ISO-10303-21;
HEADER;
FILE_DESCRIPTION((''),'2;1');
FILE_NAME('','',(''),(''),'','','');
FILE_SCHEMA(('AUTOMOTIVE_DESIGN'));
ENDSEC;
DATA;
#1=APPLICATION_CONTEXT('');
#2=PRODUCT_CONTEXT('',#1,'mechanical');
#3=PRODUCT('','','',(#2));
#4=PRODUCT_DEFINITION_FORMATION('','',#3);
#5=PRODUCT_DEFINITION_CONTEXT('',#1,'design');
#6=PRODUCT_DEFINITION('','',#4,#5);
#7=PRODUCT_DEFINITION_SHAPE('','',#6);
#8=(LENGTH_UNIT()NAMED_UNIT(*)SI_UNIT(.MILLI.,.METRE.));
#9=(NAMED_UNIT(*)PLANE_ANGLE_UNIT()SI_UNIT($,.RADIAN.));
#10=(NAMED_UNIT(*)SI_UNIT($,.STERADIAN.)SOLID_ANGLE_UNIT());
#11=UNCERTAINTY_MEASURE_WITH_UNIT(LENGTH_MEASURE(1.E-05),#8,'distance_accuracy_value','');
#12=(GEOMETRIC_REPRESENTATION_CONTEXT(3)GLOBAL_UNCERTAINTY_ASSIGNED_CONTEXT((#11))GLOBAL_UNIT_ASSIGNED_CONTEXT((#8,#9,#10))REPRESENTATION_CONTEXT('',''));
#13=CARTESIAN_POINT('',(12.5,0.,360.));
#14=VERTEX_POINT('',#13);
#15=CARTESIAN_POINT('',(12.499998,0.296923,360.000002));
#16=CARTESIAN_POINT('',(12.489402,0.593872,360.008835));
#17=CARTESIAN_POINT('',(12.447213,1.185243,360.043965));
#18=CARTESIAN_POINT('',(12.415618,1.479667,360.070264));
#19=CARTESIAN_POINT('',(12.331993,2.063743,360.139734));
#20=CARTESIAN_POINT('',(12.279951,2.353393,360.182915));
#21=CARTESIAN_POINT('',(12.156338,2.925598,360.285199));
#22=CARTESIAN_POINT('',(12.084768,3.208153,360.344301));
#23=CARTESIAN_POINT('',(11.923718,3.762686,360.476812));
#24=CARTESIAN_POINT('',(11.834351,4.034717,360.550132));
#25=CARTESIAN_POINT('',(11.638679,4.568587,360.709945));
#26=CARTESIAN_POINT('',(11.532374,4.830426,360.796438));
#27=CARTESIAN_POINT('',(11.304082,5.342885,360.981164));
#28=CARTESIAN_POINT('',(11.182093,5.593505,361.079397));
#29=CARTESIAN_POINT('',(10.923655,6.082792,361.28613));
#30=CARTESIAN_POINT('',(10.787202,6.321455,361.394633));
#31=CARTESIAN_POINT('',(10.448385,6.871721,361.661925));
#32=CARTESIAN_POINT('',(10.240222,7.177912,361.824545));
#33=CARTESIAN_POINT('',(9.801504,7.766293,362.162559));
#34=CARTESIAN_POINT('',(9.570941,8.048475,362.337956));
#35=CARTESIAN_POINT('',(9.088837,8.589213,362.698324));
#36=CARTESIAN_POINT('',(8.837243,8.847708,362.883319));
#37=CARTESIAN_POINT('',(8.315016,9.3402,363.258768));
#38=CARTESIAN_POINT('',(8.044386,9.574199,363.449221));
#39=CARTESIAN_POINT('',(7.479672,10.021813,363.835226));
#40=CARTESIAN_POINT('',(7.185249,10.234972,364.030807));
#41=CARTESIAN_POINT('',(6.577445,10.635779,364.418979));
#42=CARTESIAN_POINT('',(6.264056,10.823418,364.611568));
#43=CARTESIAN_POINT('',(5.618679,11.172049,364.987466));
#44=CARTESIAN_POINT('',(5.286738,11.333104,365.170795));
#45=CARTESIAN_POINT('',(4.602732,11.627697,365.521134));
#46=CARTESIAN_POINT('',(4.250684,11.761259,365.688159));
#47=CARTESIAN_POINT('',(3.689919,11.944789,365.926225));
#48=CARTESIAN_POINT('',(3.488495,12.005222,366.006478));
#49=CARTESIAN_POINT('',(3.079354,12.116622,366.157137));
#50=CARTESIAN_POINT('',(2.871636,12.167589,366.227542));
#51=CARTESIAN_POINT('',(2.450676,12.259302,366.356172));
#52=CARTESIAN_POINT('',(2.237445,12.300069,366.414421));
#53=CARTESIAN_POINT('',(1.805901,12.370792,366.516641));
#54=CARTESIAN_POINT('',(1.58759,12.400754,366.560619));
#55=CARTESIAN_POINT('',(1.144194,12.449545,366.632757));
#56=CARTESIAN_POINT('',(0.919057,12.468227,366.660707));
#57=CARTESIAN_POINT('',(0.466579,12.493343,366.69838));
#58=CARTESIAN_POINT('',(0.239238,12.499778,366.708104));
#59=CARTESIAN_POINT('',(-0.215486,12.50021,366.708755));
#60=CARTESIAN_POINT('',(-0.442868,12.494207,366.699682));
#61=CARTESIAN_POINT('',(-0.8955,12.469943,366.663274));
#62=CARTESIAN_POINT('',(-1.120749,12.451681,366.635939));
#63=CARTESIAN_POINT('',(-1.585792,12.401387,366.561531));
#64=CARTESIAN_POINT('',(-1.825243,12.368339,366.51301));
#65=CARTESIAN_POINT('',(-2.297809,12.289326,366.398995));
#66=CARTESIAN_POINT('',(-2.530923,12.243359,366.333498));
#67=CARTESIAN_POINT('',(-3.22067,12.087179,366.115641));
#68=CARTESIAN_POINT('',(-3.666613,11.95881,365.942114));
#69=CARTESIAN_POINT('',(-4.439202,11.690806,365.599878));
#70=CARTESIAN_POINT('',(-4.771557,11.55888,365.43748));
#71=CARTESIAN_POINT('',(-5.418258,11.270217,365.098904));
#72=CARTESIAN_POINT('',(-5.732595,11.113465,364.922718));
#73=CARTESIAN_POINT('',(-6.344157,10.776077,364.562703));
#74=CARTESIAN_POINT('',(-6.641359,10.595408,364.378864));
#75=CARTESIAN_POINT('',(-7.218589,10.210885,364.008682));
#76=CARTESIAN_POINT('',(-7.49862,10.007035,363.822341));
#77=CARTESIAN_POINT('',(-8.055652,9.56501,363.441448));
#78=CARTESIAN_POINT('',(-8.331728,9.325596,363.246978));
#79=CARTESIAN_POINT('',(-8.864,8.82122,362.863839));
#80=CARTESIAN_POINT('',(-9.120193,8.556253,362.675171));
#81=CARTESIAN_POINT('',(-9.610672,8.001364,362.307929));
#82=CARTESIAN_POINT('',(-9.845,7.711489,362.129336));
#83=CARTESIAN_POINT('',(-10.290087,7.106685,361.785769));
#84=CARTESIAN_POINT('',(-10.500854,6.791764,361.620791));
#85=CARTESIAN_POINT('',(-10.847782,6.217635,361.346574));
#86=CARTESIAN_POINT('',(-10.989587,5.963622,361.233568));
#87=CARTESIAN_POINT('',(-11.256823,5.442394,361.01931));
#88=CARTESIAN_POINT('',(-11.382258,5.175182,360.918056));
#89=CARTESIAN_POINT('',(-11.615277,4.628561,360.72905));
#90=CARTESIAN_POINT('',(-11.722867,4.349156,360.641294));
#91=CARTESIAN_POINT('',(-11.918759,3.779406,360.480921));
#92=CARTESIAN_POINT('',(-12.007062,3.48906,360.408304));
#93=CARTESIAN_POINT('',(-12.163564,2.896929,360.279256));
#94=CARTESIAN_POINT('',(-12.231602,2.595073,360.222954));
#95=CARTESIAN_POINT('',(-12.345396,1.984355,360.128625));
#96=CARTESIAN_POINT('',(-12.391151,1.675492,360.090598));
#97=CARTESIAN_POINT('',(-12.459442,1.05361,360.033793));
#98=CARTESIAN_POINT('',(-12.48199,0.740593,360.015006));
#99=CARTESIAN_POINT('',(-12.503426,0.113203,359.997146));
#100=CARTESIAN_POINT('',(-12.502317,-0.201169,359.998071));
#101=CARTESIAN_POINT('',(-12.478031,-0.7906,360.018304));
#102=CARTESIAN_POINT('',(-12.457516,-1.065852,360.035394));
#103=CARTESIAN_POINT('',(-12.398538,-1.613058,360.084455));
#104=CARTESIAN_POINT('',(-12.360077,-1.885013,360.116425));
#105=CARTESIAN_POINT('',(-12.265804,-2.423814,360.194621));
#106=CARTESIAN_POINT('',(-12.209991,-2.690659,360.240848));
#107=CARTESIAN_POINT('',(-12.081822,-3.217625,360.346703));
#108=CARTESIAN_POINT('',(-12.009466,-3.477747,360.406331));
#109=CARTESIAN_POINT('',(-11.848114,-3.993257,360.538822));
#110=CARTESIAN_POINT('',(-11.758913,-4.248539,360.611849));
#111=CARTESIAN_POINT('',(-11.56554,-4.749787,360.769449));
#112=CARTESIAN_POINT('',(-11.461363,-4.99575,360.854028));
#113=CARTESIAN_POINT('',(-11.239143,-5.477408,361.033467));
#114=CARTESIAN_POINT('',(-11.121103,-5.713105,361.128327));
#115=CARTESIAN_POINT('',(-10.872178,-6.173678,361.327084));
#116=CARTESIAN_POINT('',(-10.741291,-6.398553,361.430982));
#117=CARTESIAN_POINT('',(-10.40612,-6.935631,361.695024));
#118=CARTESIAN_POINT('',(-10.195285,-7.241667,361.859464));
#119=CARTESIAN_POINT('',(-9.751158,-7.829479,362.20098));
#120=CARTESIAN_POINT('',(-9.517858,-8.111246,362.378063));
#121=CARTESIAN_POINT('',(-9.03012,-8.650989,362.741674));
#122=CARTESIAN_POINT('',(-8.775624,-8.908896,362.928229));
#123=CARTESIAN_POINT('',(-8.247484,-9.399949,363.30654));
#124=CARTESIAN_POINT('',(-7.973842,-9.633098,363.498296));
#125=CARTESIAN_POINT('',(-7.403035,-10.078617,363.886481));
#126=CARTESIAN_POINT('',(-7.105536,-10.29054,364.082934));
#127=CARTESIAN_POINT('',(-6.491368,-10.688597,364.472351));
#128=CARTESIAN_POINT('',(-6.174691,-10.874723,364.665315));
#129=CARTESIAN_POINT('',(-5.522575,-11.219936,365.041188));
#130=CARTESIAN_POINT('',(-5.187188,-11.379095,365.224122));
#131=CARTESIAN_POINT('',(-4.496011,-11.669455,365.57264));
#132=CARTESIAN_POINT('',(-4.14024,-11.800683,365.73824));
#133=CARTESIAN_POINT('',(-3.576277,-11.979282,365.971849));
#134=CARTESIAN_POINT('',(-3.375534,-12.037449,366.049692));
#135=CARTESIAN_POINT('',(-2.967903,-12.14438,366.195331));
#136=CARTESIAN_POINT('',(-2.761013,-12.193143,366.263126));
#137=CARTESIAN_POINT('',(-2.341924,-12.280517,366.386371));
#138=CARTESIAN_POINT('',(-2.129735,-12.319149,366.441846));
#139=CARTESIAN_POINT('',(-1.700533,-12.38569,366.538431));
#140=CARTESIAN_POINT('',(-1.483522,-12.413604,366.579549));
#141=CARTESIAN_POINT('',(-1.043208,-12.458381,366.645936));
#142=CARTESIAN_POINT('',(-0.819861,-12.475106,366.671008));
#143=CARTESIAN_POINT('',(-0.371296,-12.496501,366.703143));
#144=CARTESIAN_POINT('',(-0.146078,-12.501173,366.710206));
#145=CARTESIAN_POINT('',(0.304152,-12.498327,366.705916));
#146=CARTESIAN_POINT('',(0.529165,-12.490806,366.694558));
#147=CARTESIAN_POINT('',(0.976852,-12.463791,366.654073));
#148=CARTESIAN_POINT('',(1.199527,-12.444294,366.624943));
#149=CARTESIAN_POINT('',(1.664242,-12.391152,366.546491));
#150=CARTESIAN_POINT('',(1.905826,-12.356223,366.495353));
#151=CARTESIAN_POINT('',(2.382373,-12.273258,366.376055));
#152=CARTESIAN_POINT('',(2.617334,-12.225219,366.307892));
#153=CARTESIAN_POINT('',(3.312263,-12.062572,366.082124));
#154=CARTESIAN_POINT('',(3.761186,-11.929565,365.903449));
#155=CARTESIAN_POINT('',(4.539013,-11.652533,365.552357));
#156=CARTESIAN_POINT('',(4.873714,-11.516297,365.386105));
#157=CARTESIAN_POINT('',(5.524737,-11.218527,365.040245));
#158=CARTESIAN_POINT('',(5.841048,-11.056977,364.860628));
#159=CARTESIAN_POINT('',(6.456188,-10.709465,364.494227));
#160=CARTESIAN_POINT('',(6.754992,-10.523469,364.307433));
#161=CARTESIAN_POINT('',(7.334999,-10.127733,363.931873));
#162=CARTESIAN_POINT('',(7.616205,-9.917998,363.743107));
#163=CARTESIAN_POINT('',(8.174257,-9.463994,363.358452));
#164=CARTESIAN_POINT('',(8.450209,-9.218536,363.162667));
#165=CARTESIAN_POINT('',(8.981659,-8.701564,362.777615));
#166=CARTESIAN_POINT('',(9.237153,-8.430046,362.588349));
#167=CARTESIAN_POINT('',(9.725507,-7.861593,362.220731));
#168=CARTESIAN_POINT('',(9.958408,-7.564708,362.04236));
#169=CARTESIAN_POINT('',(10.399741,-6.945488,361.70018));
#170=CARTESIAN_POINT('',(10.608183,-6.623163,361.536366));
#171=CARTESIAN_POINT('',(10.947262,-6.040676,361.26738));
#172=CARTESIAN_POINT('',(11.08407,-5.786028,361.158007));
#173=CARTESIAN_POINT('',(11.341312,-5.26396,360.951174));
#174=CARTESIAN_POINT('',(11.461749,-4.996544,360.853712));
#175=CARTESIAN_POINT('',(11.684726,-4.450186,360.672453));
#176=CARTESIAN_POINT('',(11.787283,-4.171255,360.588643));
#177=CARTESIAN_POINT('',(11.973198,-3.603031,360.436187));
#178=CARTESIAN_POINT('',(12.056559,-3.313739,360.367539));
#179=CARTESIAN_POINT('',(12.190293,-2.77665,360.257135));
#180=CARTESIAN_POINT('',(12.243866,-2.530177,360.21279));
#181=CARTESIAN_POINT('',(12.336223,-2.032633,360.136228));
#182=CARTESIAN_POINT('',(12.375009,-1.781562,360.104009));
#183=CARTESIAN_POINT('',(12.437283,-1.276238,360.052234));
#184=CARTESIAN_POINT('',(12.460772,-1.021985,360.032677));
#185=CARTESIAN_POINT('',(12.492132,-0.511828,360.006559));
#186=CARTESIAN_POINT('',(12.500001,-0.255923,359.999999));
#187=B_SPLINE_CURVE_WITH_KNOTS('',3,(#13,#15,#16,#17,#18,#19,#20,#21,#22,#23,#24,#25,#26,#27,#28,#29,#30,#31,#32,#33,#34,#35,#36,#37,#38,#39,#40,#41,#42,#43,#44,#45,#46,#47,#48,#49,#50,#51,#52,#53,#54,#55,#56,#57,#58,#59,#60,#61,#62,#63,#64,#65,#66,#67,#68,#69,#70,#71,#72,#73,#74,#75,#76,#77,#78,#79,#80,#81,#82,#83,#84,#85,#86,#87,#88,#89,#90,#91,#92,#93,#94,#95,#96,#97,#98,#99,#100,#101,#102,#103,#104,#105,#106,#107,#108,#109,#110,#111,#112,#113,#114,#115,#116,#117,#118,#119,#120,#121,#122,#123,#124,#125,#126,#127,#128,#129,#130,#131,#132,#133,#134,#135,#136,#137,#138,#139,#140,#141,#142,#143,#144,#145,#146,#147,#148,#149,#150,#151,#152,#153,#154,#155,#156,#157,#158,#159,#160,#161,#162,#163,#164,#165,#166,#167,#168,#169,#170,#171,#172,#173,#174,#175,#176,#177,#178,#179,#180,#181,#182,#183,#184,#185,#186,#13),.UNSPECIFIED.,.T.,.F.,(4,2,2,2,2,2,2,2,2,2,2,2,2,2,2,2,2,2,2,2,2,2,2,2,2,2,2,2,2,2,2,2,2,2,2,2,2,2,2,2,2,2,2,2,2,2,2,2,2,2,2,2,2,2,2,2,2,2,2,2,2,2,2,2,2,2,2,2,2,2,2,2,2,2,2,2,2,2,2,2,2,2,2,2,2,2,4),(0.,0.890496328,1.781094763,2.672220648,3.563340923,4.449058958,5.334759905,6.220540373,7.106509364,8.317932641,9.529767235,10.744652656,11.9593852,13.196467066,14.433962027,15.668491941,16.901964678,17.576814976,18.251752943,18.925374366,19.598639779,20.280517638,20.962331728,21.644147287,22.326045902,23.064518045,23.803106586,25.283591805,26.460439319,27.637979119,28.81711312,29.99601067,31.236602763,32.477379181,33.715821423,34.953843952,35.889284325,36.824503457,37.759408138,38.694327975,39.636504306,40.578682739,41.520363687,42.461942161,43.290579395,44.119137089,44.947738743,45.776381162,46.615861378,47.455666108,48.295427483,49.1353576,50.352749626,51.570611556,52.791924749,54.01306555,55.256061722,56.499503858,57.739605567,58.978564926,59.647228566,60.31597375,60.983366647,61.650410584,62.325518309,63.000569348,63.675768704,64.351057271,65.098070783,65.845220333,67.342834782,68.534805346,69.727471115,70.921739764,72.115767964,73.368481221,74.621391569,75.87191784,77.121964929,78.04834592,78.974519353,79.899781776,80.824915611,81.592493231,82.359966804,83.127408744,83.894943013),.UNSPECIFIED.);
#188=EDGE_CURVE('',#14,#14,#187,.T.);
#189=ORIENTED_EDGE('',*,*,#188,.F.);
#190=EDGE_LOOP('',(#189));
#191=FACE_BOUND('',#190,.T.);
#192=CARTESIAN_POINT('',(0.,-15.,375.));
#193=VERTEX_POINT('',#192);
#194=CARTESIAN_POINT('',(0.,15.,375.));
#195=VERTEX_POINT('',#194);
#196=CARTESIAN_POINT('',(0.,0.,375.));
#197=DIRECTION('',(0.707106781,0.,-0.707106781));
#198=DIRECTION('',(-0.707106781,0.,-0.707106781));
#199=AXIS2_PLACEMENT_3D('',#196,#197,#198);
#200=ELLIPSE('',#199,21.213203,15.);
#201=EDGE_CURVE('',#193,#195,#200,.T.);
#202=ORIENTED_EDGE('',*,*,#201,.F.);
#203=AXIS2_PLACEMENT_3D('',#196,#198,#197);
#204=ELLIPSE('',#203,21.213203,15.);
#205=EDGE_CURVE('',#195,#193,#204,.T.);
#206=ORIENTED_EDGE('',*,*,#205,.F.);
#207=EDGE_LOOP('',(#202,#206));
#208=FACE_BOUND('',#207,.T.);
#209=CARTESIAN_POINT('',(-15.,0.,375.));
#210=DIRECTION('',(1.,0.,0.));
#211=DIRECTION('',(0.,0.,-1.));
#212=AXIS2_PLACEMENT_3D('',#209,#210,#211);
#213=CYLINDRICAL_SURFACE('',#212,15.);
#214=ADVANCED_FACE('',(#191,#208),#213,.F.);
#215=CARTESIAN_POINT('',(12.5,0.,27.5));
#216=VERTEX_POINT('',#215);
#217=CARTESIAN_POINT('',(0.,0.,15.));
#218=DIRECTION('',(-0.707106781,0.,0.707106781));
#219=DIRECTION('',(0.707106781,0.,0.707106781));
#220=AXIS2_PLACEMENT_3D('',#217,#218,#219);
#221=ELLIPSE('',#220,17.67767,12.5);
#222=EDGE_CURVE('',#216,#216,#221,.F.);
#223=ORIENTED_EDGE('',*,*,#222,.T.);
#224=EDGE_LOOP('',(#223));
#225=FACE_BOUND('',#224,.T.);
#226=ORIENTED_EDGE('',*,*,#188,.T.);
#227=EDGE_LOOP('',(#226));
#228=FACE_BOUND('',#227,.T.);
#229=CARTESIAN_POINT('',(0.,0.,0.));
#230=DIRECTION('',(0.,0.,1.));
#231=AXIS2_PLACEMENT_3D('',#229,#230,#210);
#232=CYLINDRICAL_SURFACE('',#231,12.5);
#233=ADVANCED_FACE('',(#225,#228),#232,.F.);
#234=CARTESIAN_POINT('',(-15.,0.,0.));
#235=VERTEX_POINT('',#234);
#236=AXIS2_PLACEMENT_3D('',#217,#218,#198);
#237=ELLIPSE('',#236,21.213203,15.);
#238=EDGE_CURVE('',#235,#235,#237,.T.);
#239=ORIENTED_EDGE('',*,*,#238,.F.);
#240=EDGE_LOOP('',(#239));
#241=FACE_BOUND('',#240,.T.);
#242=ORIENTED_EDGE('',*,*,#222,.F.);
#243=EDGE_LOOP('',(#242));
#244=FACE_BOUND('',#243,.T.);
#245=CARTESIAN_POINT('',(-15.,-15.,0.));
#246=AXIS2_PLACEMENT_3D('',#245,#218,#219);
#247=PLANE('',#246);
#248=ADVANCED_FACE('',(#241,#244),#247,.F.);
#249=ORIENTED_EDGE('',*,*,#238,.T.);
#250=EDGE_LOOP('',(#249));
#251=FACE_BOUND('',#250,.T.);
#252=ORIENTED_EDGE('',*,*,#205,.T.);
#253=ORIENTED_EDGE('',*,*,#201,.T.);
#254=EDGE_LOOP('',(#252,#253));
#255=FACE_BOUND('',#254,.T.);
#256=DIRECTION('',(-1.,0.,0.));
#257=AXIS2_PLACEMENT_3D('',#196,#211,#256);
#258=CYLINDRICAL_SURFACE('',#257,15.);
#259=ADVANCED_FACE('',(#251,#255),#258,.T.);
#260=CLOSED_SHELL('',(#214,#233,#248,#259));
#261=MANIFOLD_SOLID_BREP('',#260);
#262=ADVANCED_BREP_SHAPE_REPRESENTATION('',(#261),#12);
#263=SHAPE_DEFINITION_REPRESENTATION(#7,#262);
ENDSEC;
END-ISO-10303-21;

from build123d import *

# Parameters (mm, degrees)
SKETCH_2_R               = 15
SKETCH_3_R               = 12.5
CUT_EXTRUDE_1_DEPTH      = 376.599520766
CUT_EXTRUDE_2_DEPTH      = 376.599520766
CUT_EXTRUDE_2_DEPTH_BACK = 376.599520766
CUT_EXTRUDE_4_DEPTH      = 376.599520766
CUT_EXTRUDE_4_DEPTH_BACK = 376.599520766


with BuildPart() as part:
    # По траектории1: sweep along a path in Эскиз1
    with BuildLine(Plane(origin=(0, 0, 0), x_dir=(1, 0, 0), z_dir=(0, 1, 0))) as sweep_1_path:
        Line((0, 0), (0, -375))
    # Эскиз2 → По траектории1 (sweep)
    with BuildSketch(Plane.XY):
        Circle(SKETCH_2_R)
    sweep(path=sweep_1_path.line)

    # Эскиз3 → Вырез-Вытянуть1 (cut, through all)
    with BuildSketch(Plane.XY.offset(375)):
        Circle(SKETCH_3_R)
    extrude(amount=-CUT_EXTRUDE_1_DEPTH, mode=Mode.SUBTRACT)

    # Эскиз4 → Вырез-Вытянуть2 (cut, two sides: drawn at the far end of the back side and taken through both)
    with BuildSketch(Plane(origin=(0, 0, 0), x_dir=(1, 0, 0), z_dir=(0, 1, 0)).offset(-CUT_EXTRUDE_2_DEPTH_BACK)):
        Polygon((-15, 0), (15, -30), (15, 0), align=None)
    extrude(amount=CUT_EXTRUDE_2_DEPTH + CUT_EXTRUDE_2_DEPTH_BACK, mode=Mode.SUBTRACT)

    # Эскиз5 → Вырез-Вытянуть4 (cut, two sides: drawn at the far end of the back side and taken through both)
    with BuildSketch(Plane(origin=(0, 0, 0), x_dir=(0, 0, -1), z_dir=(1, 0, 0)).offset(-CUT_EXTRUDE_4_DEPTH_BACK)):
        with BuildLine():
            Line((-375, 15), (-375, -15))
            ThreePointArc((-375, -15), (-360, 0), (-375, 15))
        make_face()
    extrude(amount=CUT_EXTRUDE_4_DEPTH + CUT_EXTRUDE_4_DEPTH_BACK, mode=Mode.SUBTRACT)


solid = part.part
